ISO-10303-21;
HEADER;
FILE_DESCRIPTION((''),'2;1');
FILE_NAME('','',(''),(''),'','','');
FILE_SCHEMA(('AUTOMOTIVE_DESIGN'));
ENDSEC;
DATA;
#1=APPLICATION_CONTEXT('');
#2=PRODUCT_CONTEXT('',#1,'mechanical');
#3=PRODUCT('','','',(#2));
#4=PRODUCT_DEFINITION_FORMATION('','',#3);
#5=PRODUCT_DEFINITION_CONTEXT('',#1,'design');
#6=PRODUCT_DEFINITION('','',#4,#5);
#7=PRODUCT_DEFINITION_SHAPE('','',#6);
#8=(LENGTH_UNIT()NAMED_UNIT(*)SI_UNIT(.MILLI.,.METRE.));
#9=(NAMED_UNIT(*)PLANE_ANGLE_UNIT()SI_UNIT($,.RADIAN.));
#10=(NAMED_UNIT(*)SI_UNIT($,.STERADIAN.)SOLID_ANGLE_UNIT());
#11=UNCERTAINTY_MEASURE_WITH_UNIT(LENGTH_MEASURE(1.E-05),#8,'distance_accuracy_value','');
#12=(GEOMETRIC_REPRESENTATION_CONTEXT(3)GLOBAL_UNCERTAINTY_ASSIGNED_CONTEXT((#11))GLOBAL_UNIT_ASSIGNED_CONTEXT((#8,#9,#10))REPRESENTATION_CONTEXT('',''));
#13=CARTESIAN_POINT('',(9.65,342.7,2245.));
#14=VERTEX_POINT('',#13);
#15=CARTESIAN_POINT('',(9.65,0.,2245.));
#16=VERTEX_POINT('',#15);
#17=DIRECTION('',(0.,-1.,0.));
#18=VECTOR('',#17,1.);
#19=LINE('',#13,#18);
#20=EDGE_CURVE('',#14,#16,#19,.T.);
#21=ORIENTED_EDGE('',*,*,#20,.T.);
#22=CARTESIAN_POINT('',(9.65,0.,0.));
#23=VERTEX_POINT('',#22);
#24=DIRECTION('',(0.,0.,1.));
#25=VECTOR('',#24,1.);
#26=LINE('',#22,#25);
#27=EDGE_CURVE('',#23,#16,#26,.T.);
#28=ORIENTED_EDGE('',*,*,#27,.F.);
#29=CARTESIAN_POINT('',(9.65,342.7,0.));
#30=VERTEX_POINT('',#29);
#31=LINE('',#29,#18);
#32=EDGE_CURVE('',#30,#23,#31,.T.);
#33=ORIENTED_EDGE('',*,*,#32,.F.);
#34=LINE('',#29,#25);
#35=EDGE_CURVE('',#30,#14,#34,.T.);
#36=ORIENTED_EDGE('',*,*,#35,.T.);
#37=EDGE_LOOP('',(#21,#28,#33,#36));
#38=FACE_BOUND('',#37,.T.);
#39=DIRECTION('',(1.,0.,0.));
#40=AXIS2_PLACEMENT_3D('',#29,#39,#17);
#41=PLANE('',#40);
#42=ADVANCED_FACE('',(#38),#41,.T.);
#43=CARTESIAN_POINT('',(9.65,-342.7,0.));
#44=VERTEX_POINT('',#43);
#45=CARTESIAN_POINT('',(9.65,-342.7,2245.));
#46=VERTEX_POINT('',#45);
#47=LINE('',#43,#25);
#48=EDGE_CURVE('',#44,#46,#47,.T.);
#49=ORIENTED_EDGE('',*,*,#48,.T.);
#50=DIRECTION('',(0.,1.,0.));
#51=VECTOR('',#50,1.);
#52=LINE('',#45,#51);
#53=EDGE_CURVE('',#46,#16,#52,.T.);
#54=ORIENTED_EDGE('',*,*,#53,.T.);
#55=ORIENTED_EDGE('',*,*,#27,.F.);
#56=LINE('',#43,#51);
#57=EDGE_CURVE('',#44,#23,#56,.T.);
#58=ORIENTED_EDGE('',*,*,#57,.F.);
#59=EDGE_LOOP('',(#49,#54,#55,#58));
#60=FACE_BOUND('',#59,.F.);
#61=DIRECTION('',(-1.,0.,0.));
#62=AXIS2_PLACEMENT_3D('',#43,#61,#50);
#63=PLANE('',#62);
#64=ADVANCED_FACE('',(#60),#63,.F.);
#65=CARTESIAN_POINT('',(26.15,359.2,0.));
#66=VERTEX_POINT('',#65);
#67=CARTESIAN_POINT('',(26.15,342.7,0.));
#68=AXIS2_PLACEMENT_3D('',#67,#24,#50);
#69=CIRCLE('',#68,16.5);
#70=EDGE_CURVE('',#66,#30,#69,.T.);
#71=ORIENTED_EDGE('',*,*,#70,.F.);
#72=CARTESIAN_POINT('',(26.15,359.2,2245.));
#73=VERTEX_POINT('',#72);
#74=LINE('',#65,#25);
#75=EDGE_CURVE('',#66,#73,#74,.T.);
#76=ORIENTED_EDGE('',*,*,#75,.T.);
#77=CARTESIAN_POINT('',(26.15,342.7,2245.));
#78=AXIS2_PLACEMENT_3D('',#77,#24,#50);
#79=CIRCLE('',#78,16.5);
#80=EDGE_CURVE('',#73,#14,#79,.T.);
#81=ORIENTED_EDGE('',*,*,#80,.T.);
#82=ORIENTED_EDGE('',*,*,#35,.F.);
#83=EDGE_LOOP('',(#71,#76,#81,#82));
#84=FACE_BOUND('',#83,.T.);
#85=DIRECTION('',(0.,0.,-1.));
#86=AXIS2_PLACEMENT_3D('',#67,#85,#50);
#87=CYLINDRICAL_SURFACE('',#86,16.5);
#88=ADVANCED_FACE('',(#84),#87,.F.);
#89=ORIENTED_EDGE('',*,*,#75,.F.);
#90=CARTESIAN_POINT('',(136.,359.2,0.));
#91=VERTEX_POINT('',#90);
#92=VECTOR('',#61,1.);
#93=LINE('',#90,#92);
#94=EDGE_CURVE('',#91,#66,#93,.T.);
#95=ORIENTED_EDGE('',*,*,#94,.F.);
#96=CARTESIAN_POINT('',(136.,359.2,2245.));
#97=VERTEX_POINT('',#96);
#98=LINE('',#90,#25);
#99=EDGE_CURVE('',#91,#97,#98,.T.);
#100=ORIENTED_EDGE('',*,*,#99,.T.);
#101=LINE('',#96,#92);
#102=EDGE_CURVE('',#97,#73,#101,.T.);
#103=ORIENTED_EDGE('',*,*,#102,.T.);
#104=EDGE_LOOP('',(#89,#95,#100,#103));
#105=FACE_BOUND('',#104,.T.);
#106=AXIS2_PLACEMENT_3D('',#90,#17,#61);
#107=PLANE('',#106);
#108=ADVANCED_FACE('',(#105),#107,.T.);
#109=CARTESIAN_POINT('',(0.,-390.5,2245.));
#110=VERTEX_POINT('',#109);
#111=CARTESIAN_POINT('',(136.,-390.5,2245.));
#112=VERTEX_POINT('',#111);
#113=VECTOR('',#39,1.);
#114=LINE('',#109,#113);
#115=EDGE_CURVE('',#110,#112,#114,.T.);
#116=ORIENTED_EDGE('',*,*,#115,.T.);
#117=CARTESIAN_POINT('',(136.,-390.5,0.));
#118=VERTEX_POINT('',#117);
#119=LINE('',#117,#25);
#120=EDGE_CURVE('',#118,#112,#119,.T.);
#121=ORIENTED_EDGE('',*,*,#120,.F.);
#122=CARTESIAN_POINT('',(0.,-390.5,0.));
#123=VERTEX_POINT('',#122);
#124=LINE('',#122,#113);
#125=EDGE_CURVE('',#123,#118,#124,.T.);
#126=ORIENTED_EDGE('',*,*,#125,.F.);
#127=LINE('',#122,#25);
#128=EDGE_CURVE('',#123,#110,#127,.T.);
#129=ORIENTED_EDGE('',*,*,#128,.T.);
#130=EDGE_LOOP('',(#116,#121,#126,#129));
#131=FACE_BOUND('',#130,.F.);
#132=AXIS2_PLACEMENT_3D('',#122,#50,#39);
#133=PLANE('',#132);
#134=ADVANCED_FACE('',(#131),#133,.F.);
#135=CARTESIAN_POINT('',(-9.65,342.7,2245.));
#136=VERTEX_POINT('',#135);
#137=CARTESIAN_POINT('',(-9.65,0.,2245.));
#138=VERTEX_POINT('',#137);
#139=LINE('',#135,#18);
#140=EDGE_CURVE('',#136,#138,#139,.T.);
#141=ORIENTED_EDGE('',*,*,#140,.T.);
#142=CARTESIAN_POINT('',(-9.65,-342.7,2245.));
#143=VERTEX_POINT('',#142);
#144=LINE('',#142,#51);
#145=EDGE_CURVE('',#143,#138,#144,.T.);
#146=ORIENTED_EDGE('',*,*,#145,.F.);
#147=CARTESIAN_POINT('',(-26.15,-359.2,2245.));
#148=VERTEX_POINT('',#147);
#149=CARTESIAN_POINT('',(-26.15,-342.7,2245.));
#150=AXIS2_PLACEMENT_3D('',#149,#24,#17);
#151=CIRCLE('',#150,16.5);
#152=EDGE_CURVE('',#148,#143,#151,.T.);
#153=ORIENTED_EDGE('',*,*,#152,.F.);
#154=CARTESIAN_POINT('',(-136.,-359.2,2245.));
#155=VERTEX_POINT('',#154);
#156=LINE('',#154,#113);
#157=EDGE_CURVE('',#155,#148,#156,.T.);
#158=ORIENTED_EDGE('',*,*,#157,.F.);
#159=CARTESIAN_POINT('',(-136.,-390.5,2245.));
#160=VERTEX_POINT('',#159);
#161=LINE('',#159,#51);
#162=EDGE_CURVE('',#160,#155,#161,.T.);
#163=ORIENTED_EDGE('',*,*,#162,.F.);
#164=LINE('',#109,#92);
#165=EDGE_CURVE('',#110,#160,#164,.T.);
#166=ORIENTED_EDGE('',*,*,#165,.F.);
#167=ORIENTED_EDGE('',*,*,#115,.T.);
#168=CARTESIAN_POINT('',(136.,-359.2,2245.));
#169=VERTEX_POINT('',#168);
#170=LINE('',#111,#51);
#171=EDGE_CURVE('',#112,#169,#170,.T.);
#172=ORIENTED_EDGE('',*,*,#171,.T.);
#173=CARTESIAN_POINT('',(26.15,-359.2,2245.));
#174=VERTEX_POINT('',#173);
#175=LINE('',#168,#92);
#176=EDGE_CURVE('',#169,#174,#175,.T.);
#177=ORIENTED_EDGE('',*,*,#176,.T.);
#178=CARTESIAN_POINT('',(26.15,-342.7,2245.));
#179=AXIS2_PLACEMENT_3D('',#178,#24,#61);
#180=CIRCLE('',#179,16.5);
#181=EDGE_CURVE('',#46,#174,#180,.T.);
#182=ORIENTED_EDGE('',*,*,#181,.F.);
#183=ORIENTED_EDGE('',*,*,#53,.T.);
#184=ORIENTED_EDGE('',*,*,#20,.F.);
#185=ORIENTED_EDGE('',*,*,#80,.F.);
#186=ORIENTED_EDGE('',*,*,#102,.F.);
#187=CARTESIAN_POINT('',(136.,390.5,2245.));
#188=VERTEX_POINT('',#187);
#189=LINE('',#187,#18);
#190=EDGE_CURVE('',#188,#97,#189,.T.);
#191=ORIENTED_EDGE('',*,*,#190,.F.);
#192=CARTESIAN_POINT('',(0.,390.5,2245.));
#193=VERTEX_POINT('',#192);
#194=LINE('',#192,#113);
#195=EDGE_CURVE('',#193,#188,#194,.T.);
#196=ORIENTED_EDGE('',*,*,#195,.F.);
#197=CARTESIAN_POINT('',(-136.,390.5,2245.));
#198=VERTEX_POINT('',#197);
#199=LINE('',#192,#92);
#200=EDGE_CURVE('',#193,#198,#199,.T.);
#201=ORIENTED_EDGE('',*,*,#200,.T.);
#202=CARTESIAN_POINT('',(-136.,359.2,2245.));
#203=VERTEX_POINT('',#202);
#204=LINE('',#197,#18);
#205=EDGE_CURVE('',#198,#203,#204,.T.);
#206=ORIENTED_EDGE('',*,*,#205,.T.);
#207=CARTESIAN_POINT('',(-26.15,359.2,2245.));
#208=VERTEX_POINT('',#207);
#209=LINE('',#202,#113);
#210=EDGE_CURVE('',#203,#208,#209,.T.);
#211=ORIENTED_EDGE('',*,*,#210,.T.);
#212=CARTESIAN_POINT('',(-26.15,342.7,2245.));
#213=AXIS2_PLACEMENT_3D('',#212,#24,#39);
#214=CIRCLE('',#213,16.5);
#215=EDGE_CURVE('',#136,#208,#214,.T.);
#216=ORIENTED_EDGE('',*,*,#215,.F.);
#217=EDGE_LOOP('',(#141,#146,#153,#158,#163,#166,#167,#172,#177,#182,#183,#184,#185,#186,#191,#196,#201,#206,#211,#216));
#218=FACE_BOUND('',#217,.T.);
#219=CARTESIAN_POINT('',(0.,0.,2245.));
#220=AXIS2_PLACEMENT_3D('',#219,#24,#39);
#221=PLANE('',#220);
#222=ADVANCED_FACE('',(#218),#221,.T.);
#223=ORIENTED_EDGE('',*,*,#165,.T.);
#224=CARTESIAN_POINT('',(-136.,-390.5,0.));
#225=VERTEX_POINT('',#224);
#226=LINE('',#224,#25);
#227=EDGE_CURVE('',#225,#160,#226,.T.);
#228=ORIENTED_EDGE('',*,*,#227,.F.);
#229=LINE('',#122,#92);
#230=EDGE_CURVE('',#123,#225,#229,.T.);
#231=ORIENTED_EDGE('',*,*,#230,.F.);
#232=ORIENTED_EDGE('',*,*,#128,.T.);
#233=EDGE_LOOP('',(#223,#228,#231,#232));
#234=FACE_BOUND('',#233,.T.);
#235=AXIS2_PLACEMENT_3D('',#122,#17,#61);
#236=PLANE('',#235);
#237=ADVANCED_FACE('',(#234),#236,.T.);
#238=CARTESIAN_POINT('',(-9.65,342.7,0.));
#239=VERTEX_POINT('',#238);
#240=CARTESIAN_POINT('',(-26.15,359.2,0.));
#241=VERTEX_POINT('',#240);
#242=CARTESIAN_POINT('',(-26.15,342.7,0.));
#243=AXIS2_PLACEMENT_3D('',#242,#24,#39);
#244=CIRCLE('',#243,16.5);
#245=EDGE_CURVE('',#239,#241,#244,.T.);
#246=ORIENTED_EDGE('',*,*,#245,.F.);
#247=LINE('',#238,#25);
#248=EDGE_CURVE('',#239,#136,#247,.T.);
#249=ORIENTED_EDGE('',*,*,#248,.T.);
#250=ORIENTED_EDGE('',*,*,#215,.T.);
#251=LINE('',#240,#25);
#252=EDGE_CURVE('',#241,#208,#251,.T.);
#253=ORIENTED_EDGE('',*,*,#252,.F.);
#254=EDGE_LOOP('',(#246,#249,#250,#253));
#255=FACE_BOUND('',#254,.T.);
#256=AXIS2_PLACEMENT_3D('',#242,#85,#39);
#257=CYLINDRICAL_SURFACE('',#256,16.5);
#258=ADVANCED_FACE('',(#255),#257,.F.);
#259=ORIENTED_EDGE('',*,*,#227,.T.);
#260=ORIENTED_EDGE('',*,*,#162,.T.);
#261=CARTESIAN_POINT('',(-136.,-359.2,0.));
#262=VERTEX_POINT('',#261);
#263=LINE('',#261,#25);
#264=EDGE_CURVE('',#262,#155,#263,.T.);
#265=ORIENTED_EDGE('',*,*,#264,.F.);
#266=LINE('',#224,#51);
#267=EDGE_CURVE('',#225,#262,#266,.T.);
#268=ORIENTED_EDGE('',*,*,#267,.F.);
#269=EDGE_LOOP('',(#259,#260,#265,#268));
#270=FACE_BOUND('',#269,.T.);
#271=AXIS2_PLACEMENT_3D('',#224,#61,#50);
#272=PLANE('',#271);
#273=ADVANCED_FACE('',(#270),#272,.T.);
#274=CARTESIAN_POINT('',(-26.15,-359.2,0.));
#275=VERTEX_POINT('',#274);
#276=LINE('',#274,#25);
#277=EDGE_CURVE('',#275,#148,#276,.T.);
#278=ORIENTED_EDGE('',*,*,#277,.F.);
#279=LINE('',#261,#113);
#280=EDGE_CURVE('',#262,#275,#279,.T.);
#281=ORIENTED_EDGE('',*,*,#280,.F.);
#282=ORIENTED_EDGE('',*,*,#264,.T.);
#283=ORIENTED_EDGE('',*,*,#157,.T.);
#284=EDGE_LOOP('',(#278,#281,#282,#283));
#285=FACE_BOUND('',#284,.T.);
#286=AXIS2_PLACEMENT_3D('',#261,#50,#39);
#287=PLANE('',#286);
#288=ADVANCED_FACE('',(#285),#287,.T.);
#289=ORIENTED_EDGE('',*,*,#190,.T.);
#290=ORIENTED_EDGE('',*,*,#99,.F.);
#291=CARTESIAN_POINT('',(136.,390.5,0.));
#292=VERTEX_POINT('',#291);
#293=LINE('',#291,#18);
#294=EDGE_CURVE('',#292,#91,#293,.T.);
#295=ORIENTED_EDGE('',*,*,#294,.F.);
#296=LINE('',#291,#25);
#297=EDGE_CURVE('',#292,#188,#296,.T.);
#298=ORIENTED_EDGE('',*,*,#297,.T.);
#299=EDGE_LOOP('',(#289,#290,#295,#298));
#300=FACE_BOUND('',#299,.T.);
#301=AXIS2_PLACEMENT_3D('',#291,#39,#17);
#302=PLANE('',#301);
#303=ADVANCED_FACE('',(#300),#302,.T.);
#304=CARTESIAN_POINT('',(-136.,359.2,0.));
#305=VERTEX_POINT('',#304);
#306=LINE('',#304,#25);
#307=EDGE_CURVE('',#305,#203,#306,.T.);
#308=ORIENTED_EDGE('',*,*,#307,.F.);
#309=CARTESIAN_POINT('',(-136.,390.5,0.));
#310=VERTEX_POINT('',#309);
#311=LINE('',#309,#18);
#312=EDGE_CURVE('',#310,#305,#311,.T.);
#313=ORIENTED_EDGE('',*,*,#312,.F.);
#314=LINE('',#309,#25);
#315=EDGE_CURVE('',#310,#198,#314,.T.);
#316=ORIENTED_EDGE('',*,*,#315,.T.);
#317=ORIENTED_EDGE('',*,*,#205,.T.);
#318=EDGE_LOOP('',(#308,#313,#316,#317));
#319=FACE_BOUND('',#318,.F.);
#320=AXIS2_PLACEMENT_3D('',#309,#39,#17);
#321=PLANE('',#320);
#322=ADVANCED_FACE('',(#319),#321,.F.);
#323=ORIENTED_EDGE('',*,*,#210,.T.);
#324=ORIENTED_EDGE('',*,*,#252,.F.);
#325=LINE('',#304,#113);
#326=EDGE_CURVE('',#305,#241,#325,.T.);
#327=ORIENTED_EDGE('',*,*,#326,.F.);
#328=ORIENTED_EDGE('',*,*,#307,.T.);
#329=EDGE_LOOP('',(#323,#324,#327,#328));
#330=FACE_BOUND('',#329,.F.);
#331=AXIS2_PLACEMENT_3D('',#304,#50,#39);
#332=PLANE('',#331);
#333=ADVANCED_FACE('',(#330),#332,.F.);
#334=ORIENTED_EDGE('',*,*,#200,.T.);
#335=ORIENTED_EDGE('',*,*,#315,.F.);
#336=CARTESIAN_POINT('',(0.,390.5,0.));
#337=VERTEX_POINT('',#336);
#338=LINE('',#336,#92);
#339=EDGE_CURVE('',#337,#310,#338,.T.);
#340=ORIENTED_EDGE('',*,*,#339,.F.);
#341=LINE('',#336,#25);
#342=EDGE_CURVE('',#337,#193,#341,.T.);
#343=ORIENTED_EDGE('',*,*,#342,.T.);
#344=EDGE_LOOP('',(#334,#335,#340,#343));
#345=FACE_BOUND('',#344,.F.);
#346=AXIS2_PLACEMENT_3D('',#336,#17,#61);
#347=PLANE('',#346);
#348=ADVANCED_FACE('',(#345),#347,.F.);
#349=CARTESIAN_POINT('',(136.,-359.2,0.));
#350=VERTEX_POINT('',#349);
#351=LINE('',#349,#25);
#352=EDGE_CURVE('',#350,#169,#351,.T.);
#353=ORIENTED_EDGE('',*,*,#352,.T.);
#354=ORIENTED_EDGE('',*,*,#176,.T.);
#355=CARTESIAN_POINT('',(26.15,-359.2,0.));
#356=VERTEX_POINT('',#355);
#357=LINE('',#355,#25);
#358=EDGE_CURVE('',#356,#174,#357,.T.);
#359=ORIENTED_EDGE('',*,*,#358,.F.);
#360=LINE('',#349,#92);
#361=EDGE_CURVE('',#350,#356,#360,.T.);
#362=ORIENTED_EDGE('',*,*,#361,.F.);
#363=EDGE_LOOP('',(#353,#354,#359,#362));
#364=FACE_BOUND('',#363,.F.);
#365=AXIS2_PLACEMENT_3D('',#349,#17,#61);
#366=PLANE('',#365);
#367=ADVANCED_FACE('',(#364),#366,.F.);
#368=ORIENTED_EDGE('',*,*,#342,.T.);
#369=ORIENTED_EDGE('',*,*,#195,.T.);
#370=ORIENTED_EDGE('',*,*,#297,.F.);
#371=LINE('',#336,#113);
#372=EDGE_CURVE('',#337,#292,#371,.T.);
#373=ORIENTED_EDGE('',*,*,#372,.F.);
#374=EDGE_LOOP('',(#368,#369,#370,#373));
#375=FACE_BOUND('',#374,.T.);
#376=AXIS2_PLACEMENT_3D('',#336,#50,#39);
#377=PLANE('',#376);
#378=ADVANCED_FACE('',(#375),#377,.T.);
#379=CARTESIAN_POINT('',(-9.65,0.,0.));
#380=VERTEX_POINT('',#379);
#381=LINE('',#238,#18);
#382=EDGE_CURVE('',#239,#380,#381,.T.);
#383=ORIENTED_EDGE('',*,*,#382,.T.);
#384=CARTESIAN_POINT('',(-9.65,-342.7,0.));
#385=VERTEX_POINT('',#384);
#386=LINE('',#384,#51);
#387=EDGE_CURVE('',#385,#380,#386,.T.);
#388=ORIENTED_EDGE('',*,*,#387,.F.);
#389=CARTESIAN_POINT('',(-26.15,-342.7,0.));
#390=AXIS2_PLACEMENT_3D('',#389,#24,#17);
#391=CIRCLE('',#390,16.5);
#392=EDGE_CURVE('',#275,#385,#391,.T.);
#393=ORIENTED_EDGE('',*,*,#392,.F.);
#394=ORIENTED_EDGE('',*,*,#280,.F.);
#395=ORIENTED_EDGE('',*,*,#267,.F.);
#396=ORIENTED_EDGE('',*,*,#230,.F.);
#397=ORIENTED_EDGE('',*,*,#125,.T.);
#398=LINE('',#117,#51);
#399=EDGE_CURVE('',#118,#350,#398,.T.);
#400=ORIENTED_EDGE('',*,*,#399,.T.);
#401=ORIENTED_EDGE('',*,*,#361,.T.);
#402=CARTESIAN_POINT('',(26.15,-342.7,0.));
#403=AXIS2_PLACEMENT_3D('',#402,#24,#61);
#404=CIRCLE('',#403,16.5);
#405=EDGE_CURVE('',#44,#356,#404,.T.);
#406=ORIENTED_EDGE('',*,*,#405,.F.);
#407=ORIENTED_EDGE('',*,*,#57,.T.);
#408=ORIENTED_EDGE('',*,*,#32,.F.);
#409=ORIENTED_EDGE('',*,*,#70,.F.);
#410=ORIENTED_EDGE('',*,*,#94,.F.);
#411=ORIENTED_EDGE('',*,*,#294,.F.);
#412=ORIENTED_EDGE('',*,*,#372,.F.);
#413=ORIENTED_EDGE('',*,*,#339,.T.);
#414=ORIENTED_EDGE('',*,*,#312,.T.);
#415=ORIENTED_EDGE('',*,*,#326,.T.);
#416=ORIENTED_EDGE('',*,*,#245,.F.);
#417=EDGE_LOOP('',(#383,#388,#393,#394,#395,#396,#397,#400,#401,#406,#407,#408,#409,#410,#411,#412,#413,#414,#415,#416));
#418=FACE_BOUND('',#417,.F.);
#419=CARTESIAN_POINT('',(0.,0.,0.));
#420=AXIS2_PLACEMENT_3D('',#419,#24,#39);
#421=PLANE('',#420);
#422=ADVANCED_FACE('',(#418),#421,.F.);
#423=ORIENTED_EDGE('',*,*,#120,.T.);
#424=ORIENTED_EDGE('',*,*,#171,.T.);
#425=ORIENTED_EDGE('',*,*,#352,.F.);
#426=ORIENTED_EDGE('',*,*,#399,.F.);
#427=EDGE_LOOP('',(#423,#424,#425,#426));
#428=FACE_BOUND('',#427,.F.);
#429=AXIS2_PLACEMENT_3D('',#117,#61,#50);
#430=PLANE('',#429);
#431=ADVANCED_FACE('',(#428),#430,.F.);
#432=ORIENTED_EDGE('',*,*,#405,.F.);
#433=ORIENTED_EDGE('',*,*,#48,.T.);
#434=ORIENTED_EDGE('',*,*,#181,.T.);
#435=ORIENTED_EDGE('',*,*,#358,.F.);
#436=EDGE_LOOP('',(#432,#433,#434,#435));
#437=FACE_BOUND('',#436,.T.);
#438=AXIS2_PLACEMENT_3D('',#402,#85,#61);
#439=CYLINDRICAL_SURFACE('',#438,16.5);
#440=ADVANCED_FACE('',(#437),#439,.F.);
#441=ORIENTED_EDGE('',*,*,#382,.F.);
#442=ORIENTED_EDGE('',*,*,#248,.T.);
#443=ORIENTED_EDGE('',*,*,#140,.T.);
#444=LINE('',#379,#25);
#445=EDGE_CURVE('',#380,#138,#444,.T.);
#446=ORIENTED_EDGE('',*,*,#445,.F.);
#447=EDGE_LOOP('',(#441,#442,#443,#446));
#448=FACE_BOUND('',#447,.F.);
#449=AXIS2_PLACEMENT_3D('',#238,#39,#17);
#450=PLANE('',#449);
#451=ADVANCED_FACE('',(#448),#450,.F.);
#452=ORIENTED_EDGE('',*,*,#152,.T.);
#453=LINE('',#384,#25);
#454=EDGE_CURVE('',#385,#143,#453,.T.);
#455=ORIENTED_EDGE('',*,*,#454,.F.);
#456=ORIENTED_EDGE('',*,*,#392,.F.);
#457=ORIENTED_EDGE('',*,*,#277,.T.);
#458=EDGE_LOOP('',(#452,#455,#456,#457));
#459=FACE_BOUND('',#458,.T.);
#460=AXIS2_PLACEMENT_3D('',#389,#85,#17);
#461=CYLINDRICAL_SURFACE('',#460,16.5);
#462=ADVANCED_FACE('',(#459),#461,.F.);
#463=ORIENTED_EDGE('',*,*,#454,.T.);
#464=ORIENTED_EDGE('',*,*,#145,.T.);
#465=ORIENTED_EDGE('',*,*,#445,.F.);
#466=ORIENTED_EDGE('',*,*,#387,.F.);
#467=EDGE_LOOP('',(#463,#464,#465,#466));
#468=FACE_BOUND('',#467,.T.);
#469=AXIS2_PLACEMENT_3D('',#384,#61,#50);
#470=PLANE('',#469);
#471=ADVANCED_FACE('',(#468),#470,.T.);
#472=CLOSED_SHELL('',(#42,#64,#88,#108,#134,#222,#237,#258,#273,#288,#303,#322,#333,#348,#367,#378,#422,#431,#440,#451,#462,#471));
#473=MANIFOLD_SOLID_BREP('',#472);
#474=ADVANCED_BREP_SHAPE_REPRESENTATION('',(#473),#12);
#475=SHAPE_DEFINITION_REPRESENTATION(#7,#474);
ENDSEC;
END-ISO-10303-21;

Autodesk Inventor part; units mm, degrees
ref_plane "YZ Plane" through (0, 0, 0) normal (1, 0, 0) x (0, 1, 0)
ref_plane "Start plane" through (0, 0, 0) normal (0, 0, 1) x (1, 0, 0)
ref_plane "End plane" through (0, 0, 2245) normal (0, 0, 1) x (1, 0, 0)
sketch "Sketch" plane through (0, 0, 0) normal (0, 0, 1) x (1, 0, 0)
  line L0 (-136, -390.5) -> (-136, -359.2)
  line L1 (-136, -359.2) -> (-26.15, -359.2)
  line L2 (-9.65, -342.7) -> (-9.65, 0)
  line L3 (-9.65, 0) -> (0, 0) construction
  line L4 (0, 0) -> (0, -390.5) construction
  line L5 (0, -390.5) -> (-136, -390.5)
  line L6 (-60, 0) -> (80, 0) construction
  line L7 (0, -60) -> (0, 80) construction
  line L8 (136, -390.5) -> (136, -359.2)
  line L9 (136, -359.2) -> (26.15, -359.2)
  line L10 (9.65, -342.7) -> (9.65, 0)
  line L11 (9.65, 0) -> (0, 0) construction
  line L12 (0, -390.5) -> (136, -390.5)
  line L13 (-136, 390.5) -> (-136, 359.2)
  line L14 (-136, 359.2) -> (-26.15, 359.2)
  line L15 (-9.65, 342.7) -> (-9.65, 0)
  line L16 (0, 390.5) -> (-136, 390.5)
  line L17 (136, 390.5) -> (136, 359.2)
  line L18 (136, 359.2) -> (26.15, 359.2)
  line L19 (0, 390.5) -> (136, 390.5)
  line L20 (9.65, 342.7) -> (9.65, 0)
  arc A0 (-9.65, 342.7) -> (-26.15, 359.2) centre (-26.15, 342.7) ccw
  arc A1 (26.15, 359.2) -> (9.65, 342.7) centre (26.15, 342.7) ccw
  arc A2 (9.65, -342.7) -> (26.15, -359.2) centre (26.15, -342.7) ccw
  arc A3 (-26.15, -359.2) -> (-9.65, -342.7) centre (-26.15, -342.7) ccw
  line L21 (0, 108) -> (0, -88) construction
  line L22 (-88, 0) -> (108, 0) construction
  point P0 (-9.65, -359.2)
  point P1 (9.65, -359.2)
  point P2 (-9.65, 359.2)
  point P3 (9.65, 359.2)
  dimension "d1" = 390.5
  dimension "d2" = 31.3
  dimension "d3" = 136
  dimension "d4" = 9.65
  dimension "d10" = 16.5
extrude "Body" add sketch "Sketch" along normal up to surface (2245 mm away) from surface at 0
sketch "Sketch4" plane through (0, 0, 0) normal (0, 0, 1) x (1, 0, 0)
  line L0 (0, 0) -> (10, 0)
ref_plane "Work Plane3" through (0, 0, 0) normal (0, -1, 0) x (1, 0, 0)
sketch "Sketch5" plane through (0, 0, 0) normal (0, -1, 0) x (1, 0, 0)
  line L0 (-2, 0) -> (12, 0) projected
  line L1 (-2, 2245) -> (12, 2245) projected
  dimension "d14" = 2245
equation "\"d1\" = 0.5 * G_H"
equation "\"d2\" = G_T1"
equation "\"d3\" = 0.5 * G_W"
equation "\"d4\" = 0.5 * G_T"
equation "\"d10\" = G_IR"
equation "\"d5\" = G_L"
equation "\"G_W\" = 272"
equation "\"G_H\" = 781"
equation "\"G_T\" = 19.3"
equation "\"G_T1\" = 31.3"
equation "\"G_IR\" = 16.5"
equation "\"G_L\" = d14"
equation "\"G_OFFSET_START\" = 0"
equation "\"G_OFFSET_END\" = 0"
equation "\"d12\" = G_OFFSET_END + B_L"
equation "\"B_L\" = 2245"
properties part number "AS 3679-1990 - 760 UB - 244 - 2245" material "Steel, Mild"
